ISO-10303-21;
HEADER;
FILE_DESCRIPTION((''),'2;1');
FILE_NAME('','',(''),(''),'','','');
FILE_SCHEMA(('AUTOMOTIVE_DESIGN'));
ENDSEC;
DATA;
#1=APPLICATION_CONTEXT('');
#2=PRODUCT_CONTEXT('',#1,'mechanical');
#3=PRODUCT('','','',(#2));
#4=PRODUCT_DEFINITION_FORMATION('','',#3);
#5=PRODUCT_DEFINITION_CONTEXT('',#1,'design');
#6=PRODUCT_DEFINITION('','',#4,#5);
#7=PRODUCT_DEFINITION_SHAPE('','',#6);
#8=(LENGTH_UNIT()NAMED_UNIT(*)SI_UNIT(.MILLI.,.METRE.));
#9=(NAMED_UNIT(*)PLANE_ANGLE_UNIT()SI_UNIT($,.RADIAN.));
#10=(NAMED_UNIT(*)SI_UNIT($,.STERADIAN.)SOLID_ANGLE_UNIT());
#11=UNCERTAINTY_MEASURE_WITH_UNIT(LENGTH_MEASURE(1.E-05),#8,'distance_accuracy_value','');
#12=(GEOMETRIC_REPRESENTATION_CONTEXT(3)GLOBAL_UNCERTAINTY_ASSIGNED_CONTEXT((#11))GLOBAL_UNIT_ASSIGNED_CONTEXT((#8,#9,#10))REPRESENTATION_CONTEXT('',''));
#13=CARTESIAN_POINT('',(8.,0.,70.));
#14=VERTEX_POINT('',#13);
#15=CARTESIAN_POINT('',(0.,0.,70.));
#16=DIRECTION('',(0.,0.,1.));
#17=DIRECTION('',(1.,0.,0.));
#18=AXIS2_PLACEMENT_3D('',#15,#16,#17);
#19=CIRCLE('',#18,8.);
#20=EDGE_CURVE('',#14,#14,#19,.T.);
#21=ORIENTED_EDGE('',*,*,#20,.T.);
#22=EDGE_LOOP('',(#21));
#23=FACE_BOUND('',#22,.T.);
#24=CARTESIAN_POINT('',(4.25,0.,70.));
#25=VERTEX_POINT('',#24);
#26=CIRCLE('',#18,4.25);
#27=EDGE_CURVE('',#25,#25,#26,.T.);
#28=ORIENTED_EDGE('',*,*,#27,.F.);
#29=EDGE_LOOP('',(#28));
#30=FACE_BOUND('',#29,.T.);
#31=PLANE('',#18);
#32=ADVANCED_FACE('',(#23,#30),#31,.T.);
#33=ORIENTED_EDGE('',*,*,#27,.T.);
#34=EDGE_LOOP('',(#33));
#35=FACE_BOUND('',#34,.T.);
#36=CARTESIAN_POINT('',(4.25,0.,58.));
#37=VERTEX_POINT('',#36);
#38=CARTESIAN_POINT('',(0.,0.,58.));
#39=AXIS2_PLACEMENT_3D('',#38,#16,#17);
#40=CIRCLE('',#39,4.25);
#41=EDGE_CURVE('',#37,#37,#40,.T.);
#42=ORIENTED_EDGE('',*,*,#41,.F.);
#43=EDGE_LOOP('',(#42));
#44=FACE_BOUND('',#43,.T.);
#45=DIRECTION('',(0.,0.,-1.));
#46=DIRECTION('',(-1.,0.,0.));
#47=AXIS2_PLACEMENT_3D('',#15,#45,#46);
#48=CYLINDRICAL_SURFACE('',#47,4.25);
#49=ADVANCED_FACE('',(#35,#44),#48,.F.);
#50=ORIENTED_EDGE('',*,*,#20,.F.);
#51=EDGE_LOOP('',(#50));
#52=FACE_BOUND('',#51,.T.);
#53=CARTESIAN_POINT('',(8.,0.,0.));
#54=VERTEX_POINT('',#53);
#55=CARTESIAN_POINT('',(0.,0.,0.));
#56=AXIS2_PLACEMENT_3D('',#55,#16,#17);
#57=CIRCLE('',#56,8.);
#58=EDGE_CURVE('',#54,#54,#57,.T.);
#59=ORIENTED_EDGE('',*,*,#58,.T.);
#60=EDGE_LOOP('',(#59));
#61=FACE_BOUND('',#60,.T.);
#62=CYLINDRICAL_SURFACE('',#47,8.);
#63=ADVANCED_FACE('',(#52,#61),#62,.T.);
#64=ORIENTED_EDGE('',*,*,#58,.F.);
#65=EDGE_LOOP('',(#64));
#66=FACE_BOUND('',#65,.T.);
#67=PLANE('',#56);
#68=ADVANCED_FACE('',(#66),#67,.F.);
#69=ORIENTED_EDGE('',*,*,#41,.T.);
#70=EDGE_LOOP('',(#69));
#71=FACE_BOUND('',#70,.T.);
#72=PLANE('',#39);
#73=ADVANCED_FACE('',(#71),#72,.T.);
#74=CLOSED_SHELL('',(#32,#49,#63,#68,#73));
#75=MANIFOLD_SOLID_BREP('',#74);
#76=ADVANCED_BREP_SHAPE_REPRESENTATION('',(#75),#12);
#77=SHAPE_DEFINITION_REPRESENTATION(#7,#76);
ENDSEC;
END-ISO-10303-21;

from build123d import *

# Parameters (mm, degrees)
SKETCH1_R                                    = 8
F_16_MM_MOVING_ROD_REPRESENTATION_DEPTH      = 70
M10_START                                    = 58
SKETCH2_R                                    = 4.25
M10_X_1_5_FEMALE_THREAD_CORE_12_MM_DEP_DEPTH = 12


with BuildPart() as part:
    # Sketch1 → 16 mm moving rod representation (new body)
    with BuildSketch(Plane.XY):
        Circle(SKETCH1_R)
    extrude(amount=F_16_MM_MOVING_ROD_REPRESENTATION_DEPTH)

    # Sketch2 → M10 x 1.5 female thread core - 12 mm depth (cut)
    with BuildSketch(Plane.XY.offset(M10_START)):
        Circle(SKETCH2_R)
    extrude(amount=M10_X_1_5_FEMALE_THREAD_CORE_12_MM_DEP_DEPTH, mode=Mode.SUBTRACT)


solid = part.part
